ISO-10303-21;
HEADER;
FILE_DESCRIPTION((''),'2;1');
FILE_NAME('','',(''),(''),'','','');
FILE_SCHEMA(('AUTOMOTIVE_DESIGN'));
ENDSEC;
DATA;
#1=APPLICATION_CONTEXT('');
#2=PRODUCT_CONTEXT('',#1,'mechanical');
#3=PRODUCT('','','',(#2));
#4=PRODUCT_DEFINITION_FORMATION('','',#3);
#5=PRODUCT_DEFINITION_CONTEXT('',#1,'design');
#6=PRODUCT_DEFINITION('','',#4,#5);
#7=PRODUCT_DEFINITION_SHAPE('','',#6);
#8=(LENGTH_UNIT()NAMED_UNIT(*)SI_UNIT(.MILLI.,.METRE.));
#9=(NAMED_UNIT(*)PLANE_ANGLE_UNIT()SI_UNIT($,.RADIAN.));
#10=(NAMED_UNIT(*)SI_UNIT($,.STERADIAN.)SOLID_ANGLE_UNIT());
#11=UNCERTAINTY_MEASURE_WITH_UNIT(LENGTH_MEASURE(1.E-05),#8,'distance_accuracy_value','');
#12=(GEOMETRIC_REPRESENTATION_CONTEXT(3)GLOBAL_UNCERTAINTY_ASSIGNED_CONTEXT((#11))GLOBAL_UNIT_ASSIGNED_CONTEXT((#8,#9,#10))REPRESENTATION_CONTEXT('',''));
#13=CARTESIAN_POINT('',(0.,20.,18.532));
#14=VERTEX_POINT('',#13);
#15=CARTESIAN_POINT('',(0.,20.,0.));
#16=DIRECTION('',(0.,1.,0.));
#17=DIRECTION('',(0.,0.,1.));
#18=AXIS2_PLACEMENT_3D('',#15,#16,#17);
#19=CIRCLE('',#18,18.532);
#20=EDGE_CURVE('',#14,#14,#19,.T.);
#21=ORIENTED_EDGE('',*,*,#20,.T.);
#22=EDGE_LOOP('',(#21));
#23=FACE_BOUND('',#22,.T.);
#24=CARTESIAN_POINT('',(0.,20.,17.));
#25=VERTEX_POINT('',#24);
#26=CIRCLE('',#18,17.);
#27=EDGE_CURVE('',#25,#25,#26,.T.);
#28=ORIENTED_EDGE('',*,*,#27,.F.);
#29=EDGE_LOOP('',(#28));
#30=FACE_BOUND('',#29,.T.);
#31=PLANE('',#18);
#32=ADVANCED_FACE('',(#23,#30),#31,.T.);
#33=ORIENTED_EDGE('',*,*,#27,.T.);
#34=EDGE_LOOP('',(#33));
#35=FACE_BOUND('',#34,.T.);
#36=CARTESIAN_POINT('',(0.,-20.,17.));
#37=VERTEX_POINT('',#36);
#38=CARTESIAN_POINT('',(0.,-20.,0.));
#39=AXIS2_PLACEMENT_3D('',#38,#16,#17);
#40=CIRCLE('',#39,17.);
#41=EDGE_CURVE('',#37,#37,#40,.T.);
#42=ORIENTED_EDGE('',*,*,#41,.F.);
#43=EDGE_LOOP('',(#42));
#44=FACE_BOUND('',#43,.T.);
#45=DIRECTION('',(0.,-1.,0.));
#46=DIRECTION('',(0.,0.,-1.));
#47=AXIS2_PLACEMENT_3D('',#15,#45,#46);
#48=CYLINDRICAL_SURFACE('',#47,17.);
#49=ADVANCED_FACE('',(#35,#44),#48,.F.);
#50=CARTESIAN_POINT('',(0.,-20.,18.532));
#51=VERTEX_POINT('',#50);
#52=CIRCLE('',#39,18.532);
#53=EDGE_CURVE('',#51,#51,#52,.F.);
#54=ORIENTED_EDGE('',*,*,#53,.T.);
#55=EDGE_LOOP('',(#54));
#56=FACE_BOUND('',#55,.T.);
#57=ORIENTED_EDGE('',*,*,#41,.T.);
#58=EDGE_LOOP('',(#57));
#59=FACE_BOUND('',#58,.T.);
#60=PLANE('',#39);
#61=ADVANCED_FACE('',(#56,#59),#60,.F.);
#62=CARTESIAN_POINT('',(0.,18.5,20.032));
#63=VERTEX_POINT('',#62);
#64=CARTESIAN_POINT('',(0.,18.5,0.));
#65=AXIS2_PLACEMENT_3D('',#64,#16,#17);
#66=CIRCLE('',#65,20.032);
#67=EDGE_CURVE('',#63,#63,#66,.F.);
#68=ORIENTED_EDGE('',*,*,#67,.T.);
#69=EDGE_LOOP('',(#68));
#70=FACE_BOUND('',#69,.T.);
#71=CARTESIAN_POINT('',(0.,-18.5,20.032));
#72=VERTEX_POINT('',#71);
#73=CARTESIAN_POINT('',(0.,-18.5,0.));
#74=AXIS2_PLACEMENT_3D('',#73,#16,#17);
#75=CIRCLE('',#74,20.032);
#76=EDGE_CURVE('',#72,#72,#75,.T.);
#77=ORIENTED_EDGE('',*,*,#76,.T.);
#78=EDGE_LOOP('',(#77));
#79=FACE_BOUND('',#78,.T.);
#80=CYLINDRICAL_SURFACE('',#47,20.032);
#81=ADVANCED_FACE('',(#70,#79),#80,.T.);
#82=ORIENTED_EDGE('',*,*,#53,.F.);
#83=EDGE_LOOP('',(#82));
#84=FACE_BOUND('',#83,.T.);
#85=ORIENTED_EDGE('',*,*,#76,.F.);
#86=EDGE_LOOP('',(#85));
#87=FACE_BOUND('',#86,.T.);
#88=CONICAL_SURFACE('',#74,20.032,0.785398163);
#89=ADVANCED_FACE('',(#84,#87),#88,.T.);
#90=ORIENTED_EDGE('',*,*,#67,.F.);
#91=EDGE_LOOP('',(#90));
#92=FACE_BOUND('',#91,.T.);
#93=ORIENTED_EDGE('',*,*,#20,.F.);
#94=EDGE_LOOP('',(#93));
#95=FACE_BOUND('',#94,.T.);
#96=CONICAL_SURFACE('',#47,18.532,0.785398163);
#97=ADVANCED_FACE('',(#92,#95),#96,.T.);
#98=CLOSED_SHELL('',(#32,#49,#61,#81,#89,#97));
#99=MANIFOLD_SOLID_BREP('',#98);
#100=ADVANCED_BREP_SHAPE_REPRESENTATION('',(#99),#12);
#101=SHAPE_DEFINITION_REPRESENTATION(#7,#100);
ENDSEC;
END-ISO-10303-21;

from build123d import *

# Parameters (mm, degrees)
SKETCH1_R            = 20.032
SKETCH1_R_2          = 17
EXTRUDE1_DEPTH       = 20
BUSHING_CHAMFER_SIZE = 1.5


with BuildPart() as part:
    # Sketch1 → Extrude1 (new body, symmetric)
    with BuildSketch(Plane(origin=(0, 0, 0), x_dir=(1, 0, 0), z_dir=(0, 1, 0))):
        Circle(SKETCH1_R)
        Circle(SKETCH1_R_2, mode=Mode.SUBTRACT)
    extrude(amount=EXTRUDE1_DEPTH, both=True)

    # Bushing Chamfer
    bushing_chamfer_edges = [part.edges().sort_by_distance(p)[0] for p in [
        (-20.032, -20, 0),
        (-20.032, 20, 0),
    ]]
    chamfer(bushing_chamfer_edges, length=BUSHING_CHAMFER_SIZE)


solid = part.part
